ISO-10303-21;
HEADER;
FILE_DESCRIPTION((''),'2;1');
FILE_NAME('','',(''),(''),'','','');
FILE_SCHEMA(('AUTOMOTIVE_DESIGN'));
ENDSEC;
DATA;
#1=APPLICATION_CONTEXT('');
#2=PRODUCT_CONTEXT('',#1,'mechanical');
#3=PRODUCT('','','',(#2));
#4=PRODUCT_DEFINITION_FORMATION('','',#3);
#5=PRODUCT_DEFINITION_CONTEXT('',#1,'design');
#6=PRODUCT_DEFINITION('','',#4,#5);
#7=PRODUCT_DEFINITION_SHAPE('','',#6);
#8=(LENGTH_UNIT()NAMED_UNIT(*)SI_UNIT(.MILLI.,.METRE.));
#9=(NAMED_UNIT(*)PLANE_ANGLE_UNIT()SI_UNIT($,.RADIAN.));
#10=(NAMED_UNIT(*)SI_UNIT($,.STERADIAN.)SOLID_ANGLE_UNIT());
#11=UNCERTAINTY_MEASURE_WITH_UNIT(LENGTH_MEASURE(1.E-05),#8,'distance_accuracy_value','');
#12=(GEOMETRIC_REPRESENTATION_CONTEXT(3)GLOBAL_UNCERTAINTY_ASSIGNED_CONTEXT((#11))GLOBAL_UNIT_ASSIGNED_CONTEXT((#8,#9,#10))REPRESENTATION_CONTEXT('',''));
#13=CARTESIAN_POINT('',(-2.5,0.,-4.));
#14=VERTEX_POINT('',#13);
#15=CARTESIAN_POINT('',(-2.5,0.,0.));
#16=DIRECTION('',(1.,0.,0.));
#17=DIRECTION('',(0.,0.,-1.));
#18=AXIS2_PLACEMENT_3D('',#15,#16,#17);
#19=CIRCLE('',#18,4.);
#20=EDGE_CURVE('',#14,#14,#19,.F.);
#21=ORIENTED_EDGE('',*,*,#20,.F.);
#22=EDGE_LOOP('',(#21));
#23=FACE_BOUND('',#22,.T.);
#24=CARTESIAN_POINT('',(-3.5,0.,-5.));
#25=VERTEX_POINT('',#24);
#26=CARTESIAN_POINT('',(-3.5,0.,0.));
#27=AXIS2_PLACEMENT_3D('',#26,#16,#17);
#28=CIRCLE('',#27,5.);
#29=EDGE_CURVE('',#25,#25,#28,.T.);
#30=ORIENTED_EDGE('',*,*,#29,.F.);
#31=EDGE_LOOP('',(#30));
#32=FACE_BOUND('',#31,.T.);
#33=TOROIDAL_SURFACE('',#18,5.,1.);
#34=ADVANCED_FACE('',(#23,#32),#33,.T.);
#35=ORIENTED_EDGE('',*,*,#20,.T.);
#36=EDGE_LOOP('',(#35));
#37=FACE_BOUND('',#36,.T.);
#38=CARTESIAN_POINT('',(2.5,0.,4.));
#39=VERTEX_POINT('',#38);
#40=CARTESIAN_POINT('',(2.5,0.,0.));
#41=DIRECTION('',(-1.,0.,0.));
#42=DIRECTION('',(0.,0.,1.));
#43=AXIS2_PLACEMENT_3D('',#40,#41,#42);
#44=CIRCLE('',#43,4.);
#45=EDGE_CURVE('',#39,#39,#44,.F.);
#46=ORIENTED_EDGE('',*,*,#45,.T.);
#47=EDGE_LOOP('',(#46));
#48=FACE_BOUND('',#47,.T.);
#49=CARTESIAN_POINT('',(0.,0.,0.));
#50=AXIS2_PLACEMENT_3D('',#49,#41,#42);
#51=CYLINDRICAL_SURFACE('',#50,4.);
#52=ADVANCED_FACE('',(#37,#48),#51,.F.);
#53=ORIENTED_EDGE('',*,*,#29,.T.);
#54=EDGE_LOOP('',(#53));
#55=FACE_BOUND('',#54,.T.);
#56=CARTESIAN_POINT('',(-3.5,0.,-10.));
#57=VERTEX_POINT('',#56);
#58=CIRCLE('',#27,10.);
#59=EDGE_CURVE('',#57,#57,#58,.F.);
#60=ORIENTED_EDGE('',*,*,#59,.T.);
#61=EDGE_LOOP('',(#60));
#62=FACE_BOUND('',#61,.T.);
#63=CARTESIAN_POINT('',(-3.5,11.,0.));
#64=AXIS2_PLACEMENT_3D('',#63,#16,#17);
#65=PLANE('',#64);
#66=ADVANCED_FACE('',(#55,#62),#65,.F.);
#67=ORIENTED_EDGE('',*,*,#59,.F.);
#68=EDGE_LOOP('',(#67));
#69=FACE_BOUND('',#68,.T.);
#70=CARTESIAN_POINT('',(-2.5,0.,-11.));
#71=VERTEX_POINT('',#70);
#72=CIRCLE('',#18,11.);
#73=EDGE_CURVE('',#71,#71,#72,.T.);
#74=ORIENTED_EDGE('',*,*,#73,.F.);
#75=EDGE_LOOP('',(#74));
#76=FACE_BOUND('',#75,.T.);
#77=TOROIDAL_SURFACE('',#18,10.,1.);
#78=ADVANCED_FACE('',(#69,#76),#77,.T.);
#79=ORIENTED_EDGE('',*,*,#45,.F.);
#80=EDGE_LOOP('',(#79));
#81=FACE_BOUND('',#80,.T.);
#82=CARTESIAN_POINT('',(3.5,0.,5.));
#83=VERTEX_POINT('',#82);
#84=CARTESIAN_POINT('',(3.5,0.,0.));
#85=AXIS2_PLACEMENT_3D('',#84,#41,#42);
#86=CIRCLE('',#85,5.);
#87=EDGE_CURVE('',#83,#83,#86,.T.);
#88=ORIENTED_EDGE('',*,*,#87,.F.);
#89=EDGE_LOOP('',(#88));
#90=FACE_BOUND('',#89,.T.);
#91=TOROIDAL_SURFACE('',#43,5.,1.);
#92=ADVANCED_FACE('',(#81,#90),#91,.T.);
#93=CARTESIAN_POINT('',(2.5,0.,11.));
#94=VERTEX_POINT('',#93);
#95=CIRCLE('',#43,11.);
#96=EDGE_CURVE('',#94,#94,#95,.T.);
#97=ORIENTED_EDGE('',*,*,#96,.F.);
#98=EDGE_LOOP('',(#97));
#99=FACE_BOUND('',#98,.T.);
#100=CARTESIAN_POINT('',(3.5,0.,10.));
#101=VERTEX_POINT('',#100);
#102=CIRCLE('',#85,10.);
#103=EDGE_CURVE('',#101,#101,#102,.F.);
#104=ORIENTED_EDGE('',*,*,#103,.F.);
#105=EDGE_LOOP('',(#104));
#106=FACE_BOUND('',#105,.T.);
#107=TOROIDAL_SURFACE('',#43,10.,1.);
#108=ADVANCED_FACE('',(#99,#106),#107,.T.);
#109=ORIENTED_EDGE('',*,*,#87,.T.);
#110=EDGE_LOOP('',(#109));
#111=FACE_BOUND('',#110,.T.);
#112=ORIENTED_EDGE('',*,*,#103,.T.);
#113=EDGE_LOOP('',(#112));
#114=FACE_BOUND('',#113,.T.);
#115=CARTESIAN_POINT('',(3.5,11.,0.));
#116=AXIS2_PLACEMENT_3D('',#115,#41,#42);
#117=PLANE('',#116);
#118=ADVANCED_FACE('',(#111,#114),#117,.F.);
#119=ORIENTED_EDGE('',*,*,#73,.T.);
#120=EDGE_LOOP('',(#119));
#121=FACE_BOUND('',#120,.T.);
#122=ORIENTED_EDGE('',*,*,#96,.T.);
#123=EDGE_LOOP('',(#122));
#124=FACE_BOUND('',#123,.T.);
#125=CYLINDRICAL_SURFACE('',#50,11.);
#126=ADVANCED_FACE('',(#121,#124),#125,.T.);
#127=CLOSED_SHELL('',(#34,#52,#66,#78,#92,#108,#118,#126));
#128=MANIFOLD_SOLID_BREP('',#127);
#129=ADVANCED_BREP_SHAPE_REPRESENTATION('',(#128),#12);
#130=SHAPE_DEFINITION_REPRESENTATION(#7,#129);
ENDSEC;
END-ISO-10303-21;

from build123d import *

# Parameters (mm, degrees)
SKETCH1_W = 7
SKETCH1_H = 7
FILLET1_R = 1


with BuildPart() as part:
    # Sketch1 → Revolve1 (revolve)
    with BuildSketch(Plane.XY):
        with Locations((0, 7.5)):
            Rectangle(SKETCH1_W, SKETCH1_H)
    revolve(axis=Axis((0, 0, 0), (1, 0, 0)))

    # Fillet1
    fillet1_edges = [part.edges().sort_by_distance(p)[0] for p in [
        (-3.5, -4, 0),
        (3.5, -4, 0),
        (3.5, -11, 0),
        (-3.5, -11, 0),
    ]]
    fillet(fillet1_edges, radius=FILLET1_R)


solid = part.part
